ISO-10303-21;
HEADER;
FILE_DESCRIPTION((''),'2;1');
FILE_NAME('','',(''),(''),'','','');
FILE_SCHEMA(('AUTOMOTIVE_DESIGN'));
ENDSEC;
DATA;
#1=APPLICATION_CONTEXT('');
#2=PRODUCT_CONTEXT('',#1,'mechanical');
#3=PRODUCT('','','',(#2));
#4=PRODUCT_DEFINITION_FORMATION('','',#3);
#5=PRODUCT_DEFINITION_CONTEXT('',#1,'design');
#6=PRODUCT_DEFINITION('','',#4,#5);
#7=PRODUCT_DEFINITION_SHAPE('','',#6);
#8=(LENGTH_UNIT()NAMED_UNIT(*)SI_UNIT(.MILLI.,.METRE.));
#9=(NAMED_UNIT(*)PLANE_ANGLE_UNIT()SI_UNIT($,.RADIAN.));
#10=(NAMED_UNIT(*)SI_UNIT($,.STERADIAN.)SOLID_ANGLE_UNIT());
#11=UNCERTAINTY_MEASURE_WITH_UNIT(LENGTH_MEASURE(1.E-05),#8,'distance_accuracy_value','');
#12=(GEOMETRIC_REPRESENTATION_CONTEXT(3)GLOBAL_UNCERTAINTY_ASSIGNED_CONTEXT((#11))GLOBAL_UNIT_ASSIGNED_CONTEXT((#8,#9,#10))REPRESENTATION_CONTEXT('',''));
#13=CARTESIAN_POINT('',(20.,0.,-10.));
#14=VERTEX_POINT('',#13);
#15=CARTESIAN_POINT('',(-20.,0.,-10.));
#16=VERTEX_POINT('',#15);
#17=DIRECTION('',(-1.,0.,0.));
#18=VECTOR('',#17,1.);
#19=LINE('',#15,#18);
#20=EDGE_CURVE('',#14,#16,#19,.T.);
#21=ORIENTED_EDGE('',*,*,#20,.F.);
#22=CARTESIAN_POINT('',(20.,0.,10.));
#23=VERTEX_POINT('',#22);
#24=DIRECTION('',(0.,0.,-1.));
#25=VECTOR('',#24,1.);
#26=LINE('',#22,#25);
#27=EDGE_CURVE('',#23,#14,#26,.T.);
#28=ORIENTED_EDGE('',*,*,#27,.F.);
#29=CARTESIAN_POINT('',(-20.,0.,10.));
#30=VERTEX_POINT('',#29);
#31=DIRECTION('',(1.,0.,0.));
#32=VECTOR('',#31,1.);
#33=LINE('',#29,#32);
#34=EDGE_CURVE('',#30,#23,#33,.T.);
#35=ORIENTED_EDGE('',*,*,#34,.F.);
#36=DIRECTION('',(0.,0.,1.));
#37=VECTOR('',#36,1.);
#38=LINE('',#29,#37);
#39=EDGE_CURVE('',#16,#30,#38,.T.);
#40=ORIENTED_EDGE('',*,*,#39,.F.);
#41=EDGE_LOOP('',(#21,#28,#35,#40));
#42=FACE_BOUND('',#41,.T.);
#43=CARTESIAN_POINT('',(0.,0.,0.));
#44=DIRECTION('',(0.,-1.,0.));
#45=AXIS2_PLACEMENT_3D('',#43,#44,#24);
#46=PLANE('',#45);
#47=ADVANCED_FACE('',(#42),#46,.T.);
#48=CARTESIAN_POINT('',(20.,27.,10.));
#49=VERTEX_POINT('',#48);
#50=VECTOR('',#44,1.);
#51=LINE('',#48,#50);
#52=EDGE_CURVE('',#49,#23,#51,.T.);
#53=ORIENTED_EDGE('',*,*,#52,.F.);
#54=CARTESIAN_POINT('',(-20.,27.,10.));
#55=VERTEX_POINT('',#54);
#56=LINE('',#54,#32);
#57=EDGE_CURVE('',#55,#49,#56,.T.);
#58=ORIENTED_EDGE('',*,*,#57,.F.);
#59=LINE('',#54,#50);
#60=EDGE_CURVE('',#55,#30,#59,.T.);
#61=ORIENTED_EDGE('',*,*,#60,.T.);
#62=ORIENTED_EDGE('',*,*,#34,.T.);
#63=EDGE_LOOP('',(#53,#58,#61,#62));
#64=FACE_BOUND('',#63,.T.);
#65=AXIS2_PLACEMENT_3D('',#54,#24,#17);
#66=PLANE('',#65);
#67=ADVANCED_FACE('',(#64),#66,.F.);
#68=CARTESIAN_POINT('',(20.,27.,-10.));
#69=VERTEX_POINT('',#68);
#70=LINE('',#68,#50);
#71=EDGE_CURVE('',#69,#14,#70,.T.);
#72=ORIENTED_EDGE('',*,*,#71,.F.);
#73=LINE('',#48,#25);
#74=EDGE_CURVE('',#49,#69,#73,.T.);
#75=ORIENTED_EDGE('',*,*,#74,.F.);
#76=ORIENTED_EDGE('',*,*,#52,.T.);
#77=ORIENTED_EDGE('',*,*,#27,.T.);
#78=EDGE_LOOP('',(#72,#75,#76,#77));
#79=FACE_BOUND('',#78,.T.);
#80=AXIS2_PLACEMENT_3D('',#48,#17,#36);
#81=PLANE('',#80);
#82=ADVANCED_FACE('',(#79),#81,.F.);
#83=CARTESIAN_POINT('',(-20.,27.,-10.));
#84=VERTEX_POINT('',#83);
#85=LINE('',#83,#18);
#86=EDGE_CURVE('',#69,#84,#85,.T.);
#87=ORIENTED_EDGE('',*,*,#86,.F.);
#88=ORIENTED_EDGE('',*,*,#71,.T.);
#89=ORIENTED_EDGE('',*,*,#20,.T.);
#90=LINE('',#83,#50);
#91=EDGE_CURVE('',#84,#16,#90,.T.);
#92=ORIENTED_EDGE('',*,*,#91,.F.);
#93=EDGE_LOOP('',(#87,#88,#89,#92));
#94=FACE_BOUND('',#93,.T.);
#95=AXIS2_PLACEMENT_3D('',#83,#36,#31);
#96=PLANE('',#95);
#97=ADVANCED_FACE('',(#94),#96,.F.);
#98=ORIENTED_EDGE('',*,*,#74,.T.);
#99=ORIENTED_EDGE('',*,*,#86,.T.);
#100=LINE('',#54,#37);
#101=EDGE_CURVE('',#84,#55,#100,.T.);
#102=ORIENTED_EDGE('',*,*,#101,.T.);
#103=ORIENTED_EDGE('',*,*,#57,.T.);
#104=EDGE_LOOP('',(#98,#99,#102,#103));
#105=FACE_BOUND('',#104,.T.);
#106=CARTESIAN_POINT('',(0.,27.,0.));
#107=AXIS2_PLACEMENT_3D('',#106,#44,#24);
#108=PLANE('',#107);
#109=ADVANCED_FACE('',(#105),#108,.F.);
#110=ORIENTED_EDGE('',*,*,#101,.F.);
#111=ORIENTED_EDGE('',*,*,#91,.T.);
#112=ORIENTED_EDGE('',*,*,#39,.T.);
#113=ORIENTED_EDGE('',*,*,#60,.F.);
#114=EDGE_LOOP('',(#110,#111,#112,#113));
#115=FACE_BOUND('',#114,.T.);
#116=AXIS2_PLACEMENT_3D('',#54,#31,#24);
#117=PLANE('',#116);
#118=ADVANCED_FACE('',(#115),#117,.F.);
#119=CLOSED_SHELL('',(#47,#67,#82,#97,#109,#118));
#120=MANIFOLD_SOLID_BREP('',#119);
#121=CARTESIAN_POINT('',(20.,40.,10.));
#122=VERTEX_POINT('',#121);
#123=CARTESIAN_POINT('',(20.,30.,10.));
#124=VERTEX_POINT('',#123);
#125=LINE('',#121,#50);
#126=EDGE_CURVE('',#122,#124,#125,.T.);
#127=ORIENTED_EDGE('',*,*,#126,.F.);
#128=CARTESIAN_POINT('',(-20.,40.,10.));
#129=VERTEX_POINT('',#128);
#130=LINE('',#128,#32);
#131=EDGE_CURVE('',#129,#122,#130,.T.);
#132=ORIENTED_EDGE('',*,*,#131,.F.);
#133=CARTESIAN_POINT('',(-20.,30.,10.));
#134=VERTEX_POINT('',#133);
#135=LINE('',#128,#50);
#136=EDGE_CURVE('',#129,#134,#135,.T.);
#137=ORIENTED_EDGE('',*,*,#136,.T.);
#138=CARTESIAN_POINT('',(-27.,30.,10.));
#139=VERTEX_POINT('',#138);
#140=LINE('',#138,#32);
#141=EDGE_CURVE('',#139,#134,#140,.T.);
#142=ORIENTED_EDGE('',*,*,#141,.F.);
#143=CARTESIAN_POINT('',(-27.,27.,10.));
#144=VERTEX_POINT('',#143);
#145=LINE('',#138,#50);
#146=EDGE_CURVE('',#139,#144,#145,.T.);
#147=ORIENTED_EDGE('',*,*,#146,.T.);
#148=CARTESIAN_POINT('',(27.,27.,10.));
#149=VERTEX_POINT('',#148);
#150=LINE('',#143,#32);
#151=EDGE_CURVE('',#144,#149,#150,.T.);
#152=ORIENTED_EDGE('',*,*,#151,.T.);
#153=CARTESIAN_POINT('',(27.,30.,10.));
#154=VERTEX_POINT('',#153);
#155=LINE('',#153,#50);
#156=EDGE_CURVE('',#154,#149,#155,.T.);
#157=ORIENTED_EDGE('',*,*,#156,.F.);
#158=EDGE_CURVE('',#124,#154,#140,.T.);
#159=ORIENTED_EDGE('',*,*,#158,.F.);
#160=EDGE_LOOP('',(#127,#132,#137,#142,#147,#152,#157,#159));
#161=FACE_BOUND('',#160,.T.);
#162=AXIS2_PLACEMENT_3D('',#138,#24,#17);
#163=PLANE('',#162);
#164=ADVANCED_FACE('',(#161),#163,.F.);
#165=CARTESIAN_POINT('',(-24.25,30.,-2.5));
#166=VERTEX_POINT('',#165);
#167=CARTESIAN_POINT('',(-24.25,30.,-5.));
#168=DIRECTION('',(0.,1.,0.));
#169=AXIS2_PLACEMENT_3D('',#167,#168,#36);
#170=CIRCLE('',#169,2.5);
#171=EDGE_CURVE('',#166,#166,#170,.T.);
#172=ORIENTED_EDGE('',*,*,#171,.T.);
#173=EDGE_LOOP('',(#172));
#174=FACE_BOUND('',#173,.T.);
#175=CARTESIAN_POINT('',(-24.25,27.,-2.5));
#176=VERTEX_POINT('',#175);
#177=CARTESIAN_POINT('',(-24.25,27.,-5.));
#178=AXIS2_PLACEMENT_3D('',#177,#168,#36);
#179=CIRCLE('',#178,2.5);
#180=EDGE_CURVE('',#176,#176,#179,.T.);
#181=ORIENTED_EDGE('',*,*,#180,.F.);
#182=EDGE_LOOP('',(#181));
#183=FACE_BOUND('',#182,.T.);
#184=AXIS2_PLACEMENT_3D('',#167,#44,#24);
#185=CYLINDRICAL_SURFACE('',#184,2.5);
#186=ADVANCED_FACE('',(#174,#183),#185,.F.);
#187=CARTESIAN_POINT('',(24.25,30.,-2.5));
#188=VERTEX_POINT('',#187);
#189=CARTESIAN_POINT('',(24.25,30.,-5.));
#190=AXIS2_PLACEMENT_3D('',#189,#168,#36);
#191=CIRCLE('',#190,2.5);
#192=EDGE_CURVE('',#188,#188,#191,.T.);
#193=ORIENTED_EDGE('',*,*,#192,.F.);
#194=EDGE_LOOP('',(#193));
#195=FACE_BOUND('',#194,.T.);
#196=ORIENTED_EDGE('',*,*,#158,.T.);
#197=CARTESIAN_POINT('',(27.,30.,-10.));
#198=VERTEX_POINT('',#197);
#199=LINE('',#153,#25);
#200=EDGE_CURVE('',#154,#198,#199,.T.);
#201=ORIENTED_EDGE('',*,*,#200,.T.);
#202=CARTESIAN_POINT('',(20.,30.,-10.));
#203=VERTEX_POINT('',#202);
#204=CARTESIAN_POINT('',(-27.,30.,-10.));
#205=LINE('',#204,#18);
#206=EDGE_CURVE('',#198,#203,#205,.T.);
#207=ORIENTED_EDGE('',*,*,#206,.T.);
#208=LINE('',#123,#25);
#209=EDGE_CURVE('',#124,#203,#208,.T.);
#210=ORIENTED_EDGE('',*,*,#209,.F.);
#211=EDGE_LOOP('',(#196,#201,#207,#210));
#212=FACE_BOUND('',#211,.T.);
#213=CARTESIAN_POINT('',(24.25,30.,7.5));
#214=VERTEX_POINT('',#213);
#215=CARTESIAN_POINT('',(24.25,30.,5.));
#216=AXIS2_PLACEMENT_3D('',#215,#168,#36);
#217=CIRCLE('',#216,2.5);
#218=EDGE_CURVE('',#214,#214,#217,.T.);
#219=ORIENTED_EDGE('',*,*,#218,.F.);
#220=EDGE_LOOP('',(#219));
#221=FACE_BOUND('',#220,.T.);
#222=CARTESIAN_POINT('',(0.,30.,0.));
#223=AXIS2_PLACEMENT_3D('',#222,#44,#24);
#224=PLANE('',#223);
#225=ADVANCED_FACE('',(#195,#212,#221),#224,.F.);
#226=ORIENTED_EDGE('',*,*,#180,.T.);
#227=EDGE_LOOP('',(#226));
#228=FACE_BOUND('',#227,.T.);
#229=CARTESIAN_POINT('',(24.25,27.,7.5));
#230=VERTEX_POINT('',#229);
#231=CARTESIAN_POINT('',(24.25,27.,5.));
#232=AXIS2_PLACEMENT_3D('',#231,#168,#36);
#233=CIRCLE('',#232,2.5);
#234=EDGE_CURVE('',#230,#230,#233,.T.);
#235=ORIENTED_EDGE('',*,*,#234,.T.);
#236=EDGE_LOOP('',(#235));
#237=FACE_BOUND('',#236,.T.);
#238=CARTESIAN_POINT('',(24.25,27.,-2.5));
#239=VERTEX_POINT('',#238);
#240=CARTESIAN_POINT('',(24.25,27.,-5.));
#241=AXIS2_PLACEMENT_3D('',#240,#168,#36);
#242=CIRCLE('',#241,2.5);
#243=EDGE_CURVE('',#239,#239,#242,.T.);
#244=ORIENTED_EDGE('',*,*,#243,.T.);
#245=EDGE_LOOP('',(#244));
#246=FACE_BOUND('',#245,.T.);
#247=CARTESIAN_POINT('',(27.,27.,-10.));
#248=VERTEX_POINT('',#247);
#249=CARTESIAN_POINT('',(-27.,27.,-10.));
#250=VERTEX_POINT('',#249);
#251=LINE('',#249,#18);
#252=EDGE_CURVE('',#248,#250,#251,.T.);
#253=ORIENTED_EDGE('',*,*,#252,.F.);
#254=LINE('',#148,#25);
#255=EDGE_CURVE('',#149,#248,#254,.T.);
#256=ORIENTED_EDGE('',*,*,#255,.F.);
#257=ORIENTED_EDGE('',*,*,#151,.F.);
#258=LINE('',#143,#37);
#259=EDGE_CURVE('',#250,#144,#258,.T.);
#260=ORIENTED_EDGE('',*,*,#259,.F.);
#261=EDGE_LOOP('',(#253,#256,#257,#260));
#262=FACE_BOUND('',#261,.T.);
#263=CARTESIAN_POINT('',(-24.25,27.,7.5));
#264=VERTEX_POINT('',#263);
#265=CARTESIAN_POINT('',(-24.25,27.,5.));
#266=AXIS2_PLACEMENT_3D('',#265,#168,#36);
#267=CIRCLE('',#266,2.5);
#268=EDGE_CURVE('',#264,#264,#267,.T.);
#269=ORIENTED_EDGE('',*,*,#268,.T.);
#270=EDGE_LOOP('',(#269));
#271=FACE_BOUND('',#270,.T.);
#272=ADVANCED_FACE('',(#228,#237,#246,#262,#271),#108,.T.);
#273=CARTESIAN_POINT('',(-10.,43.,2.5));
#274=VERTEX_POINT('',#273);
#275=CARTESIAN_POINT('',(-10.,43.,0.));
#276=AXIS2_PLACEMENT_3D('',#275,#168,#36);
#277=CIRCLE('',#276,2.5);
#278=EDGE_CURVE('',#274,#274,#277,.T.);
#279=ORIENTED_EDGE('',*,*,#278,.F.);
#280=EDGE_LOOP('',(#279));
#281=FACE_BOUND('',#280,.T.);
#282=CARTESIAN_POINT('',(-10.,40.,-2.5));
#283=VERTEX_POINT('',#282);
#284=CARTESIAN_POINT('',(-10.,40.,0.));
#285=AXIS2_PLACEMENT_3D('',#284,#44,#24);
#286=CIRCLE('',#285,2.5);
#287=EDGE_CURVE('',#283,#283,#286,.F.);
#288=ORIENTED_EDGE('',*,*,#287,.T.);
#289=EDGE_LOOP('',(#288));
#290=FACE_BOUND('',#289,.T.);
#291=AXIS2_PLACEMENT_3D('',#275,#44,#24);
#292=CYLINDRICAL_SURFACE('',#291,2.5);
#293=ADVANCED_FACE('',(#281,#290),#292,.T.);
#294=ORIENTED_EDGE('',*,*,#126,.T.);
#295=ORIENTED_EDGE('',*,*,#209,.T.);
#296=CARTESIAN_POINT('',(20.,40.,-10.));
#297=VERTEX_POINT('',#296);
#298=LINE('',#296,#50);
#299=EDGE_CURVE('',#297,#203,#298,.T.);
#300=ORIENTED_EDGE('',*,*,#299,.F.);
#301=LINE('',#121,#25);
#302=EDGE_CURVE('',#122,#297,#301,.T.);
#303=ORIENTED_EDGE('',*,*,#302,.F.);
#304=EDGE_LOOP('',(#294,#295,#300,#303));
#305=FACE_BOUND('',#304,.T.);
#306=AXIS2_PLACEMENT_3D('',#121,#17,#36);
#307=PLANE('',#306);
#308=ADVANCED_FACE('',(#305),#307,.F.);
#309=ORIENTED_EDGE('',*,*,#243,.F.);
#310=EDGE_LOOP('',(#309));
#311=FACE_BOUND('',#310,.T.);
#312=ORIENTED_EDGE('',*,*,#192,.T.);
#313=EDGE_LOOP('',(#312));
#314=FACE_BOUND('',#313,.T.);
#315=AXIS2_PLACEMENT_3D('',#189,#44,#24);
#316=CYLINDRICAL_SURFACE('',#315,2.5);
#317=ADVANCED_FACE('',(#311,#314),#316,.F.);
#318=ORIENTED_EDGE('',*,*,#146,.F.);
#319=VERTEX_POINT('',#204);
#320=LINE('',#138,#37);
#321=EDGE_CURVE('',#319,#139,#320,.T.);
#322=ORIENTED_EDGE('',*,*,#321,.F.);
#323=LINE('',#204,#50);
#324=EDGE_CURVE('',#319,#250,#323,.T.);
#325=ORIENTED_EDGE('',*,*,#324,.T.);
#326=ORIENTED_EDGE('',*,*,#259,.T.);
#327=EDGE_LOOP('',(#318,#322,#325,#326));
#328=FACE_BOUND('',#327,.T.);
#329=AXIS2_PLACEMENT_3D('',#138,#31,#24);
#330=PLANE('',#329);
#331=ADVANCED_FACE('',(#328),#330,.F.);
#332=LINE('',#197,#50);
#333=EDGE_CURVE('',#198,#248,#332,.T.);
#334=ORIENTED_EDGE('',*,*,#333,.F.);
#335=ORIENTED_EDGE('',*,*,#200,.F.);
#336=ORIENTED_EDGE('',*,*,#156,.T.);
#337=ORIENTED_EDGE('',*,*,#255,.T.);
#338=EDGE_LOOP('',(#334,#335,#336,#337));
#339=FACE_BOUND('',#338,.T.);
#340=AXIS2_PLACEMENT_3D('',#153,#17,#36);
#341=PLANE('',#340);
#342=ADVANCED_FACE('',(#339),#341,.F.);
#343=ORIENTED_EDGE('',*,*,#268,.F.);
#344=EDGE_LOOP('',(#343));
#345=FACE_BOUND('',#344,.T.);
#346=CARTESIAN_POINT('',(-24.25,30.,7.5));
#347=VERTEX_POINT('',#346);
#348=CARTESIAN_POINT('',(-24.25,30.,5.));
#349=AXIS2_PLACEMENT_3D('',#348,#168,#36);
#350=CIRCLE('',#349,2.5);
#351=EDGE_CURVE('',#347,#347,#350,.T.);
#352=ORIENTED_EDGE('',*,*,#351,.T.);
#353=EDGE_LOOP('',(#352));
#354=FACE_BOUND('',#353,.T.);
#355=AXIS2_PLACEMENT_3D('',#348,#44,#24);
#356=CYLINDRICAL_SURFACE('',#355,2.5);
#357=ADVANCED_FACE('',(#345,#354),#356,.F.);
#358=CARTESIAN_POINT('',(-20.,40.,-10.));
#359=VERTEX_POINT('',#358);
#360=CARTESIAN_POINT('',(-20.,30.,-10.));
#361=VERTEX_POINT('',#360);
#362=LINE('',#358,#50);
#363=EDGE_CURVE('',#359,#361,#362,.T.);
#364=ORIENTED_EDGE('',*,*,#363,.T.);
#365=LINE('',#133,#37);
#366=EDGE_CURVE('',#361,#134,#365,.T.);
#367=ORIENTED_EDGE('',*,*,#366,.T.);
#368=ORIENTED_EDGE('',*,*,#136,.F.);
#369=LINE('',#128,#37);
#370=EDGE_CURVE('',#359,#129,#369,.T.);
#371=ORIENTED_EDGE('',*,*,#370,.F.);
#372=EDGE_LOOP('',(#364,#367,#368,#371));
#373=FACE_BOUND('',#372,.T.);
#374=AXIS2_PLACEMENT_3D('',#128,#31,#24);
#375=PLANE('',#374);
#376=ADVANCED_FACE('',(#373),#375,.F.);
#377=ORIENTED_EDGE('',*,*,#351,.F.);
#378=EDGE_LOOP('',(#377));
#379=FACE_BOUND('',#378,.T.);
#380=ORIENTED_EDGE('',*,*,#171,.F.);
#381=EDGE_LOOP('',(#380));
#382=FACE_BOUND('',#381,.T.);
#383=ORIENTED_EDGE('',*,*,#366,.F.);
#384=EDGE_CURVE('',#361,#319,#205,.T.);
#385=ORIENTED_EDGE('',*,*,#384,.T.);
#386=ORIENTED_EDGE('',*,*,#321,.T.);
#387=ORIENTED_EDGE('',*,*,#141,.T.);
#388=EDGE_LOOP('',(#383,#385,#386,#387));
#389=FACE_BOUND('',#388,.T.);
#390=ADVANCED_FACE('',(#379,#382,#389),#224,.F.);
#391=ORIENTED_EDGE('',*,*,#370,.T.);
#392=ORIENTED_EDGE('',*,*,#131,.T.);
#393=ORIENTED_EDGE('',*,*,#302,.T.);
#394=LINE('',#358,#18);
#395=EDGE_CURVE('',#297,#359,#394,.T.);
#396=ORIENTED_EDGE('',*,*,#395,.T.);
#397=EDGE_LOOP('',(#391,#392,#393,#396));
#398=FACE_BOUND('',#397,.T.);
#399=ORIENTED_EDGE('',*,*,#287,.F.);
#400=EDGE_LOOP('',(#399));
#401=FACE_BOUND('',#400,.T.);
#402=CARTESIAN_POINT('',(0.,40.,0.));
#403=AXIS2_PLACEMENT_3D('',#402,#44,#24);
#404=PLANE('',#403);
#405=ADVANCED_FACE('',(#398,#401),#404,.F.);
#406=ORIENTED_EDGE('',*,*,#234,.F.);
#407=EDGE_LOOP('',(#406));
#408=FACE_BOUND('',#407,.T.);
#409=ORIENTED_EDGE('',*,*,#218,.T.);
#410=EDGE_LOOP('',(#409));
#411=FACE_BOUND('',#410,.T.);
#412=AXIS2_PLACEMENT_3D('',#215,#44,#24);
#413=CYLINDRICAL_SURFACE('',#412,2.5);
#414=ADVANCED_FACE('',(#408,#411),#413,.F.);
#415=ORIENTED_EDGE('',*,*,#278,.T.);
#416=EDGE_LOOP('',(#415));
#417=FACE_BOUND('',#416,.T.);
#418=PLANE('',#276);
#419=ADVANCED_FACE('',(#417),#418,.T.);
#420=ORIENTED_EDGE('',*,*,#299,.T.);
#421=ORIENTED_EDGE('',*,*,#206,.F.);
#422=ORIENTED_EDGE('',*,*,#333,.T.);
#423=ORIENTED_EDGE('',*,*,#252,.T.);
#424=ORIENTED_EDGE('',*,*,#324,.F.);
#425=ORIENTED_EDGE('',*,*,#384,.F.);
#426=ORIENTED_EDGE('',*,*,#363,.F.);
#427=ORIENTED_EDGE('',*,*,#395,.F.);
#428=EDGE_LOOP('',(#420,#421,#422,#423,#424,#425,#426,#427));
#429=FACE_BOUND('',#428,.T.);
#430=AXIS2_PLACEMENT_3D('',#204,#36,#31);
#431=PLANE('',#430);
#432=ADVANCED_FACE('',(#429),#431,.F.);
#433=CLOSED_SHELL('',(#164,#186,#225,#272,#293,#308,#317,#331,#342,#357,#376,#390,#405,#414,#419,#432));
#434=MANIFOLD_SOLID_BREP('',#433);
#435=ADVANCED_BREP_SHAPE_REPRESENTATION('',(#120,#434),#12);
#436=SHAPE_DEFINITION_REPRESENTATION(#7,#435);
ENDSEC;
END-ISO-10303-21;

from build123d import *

# Parameters (mm, degrees)
SKETCH1_W           = 40
SKETCH1_H           = 20
BOSS_EXTRUDE1_DEPTH = 27
SKETCH2_W           = 54
SKETCH2_H           = 20
SKETCH2_R           = 2.5
BOSS_EXTRUDE4_DEPTH = 3
SKETCH3_W           = 40
SKETCH3_H           = 20
BOSS_EXTRUDE5_DEPTH = 10
SKETCH5_R           = 2.5
BOSS_EXTRUDE6_DEPTH = 3


with BuildPart() as part:
    # Sketch1 → Boss-Extrude1 (new body)
    with BuildSketch(Plane(origin=(0, 0, 0), x_dir=(1, 0, 0), z_dir=(0, 1, 0))):
        Rectangle(SKETCH1_W, SKETCH1_H)
    extrude(amount=BOSS_EXTRUDE1_DEPTH)


with BuildPart() as body_2:
    # Sketch2 → Boss-Extrude4 (new body)
    with BuildSketch(Plane(origin=(0, 27, 0), x_dir=(1, 0, 0), z_dir=(0, 1, 0))):
        Rectangle(SKETCH2_W, SKETCH2_H)
        with Locations(Location((-24.25, 5, 0), (0, 0, 270))):
            Circle(SKETCH2_R, mode=Mode.SUBTRACT)
        with Locations(Location((-24.25, -5, 0), (0, 0, 270))):
            Circle(SKETCH2_R, mode=Mode.SUBTRACT)
        with Locations(Location((24.25, -5, 0), (0, 0, 270))):
            Circle(SKETCH2_R, mode=Mode.SUBTRACT)
        with Locations(Location((24.25, 5, 0), (0, 0, 270))):
            Circle(SKETCH2_R, mode=Mode.SUBTRACT)
    extrude(amount=BOSS_EXTRUDE4_DEPTH)

    # Sketch3 → Boss-Extrude5 (add)
    with BuildSketch(Plane(origin=(0, 30, 0), x_dir=(1, 0, 0), z_dir=(0, 1, 0))):
        Rectangle(SKETCH3_W, SKETCH3_H)
    extrude(amount=BOSS_EXTRUDE5_DEPTH)

    # Sketch5 → Boss-Extrude6 (add)
    with BuildSketch(Plane(origin=(0, 40, 0), x_dir=(1, 0, 0), z_dir=(0, 1, 0))):
        with Locations(Location((-10, 0, 0), (0, 0, 90))):
            Circle(SKETCH5_R)
    extrude(amount=BOSS_EXTRUDE6_DEPTH)


solid = Compound([part.part, body_2.part])
